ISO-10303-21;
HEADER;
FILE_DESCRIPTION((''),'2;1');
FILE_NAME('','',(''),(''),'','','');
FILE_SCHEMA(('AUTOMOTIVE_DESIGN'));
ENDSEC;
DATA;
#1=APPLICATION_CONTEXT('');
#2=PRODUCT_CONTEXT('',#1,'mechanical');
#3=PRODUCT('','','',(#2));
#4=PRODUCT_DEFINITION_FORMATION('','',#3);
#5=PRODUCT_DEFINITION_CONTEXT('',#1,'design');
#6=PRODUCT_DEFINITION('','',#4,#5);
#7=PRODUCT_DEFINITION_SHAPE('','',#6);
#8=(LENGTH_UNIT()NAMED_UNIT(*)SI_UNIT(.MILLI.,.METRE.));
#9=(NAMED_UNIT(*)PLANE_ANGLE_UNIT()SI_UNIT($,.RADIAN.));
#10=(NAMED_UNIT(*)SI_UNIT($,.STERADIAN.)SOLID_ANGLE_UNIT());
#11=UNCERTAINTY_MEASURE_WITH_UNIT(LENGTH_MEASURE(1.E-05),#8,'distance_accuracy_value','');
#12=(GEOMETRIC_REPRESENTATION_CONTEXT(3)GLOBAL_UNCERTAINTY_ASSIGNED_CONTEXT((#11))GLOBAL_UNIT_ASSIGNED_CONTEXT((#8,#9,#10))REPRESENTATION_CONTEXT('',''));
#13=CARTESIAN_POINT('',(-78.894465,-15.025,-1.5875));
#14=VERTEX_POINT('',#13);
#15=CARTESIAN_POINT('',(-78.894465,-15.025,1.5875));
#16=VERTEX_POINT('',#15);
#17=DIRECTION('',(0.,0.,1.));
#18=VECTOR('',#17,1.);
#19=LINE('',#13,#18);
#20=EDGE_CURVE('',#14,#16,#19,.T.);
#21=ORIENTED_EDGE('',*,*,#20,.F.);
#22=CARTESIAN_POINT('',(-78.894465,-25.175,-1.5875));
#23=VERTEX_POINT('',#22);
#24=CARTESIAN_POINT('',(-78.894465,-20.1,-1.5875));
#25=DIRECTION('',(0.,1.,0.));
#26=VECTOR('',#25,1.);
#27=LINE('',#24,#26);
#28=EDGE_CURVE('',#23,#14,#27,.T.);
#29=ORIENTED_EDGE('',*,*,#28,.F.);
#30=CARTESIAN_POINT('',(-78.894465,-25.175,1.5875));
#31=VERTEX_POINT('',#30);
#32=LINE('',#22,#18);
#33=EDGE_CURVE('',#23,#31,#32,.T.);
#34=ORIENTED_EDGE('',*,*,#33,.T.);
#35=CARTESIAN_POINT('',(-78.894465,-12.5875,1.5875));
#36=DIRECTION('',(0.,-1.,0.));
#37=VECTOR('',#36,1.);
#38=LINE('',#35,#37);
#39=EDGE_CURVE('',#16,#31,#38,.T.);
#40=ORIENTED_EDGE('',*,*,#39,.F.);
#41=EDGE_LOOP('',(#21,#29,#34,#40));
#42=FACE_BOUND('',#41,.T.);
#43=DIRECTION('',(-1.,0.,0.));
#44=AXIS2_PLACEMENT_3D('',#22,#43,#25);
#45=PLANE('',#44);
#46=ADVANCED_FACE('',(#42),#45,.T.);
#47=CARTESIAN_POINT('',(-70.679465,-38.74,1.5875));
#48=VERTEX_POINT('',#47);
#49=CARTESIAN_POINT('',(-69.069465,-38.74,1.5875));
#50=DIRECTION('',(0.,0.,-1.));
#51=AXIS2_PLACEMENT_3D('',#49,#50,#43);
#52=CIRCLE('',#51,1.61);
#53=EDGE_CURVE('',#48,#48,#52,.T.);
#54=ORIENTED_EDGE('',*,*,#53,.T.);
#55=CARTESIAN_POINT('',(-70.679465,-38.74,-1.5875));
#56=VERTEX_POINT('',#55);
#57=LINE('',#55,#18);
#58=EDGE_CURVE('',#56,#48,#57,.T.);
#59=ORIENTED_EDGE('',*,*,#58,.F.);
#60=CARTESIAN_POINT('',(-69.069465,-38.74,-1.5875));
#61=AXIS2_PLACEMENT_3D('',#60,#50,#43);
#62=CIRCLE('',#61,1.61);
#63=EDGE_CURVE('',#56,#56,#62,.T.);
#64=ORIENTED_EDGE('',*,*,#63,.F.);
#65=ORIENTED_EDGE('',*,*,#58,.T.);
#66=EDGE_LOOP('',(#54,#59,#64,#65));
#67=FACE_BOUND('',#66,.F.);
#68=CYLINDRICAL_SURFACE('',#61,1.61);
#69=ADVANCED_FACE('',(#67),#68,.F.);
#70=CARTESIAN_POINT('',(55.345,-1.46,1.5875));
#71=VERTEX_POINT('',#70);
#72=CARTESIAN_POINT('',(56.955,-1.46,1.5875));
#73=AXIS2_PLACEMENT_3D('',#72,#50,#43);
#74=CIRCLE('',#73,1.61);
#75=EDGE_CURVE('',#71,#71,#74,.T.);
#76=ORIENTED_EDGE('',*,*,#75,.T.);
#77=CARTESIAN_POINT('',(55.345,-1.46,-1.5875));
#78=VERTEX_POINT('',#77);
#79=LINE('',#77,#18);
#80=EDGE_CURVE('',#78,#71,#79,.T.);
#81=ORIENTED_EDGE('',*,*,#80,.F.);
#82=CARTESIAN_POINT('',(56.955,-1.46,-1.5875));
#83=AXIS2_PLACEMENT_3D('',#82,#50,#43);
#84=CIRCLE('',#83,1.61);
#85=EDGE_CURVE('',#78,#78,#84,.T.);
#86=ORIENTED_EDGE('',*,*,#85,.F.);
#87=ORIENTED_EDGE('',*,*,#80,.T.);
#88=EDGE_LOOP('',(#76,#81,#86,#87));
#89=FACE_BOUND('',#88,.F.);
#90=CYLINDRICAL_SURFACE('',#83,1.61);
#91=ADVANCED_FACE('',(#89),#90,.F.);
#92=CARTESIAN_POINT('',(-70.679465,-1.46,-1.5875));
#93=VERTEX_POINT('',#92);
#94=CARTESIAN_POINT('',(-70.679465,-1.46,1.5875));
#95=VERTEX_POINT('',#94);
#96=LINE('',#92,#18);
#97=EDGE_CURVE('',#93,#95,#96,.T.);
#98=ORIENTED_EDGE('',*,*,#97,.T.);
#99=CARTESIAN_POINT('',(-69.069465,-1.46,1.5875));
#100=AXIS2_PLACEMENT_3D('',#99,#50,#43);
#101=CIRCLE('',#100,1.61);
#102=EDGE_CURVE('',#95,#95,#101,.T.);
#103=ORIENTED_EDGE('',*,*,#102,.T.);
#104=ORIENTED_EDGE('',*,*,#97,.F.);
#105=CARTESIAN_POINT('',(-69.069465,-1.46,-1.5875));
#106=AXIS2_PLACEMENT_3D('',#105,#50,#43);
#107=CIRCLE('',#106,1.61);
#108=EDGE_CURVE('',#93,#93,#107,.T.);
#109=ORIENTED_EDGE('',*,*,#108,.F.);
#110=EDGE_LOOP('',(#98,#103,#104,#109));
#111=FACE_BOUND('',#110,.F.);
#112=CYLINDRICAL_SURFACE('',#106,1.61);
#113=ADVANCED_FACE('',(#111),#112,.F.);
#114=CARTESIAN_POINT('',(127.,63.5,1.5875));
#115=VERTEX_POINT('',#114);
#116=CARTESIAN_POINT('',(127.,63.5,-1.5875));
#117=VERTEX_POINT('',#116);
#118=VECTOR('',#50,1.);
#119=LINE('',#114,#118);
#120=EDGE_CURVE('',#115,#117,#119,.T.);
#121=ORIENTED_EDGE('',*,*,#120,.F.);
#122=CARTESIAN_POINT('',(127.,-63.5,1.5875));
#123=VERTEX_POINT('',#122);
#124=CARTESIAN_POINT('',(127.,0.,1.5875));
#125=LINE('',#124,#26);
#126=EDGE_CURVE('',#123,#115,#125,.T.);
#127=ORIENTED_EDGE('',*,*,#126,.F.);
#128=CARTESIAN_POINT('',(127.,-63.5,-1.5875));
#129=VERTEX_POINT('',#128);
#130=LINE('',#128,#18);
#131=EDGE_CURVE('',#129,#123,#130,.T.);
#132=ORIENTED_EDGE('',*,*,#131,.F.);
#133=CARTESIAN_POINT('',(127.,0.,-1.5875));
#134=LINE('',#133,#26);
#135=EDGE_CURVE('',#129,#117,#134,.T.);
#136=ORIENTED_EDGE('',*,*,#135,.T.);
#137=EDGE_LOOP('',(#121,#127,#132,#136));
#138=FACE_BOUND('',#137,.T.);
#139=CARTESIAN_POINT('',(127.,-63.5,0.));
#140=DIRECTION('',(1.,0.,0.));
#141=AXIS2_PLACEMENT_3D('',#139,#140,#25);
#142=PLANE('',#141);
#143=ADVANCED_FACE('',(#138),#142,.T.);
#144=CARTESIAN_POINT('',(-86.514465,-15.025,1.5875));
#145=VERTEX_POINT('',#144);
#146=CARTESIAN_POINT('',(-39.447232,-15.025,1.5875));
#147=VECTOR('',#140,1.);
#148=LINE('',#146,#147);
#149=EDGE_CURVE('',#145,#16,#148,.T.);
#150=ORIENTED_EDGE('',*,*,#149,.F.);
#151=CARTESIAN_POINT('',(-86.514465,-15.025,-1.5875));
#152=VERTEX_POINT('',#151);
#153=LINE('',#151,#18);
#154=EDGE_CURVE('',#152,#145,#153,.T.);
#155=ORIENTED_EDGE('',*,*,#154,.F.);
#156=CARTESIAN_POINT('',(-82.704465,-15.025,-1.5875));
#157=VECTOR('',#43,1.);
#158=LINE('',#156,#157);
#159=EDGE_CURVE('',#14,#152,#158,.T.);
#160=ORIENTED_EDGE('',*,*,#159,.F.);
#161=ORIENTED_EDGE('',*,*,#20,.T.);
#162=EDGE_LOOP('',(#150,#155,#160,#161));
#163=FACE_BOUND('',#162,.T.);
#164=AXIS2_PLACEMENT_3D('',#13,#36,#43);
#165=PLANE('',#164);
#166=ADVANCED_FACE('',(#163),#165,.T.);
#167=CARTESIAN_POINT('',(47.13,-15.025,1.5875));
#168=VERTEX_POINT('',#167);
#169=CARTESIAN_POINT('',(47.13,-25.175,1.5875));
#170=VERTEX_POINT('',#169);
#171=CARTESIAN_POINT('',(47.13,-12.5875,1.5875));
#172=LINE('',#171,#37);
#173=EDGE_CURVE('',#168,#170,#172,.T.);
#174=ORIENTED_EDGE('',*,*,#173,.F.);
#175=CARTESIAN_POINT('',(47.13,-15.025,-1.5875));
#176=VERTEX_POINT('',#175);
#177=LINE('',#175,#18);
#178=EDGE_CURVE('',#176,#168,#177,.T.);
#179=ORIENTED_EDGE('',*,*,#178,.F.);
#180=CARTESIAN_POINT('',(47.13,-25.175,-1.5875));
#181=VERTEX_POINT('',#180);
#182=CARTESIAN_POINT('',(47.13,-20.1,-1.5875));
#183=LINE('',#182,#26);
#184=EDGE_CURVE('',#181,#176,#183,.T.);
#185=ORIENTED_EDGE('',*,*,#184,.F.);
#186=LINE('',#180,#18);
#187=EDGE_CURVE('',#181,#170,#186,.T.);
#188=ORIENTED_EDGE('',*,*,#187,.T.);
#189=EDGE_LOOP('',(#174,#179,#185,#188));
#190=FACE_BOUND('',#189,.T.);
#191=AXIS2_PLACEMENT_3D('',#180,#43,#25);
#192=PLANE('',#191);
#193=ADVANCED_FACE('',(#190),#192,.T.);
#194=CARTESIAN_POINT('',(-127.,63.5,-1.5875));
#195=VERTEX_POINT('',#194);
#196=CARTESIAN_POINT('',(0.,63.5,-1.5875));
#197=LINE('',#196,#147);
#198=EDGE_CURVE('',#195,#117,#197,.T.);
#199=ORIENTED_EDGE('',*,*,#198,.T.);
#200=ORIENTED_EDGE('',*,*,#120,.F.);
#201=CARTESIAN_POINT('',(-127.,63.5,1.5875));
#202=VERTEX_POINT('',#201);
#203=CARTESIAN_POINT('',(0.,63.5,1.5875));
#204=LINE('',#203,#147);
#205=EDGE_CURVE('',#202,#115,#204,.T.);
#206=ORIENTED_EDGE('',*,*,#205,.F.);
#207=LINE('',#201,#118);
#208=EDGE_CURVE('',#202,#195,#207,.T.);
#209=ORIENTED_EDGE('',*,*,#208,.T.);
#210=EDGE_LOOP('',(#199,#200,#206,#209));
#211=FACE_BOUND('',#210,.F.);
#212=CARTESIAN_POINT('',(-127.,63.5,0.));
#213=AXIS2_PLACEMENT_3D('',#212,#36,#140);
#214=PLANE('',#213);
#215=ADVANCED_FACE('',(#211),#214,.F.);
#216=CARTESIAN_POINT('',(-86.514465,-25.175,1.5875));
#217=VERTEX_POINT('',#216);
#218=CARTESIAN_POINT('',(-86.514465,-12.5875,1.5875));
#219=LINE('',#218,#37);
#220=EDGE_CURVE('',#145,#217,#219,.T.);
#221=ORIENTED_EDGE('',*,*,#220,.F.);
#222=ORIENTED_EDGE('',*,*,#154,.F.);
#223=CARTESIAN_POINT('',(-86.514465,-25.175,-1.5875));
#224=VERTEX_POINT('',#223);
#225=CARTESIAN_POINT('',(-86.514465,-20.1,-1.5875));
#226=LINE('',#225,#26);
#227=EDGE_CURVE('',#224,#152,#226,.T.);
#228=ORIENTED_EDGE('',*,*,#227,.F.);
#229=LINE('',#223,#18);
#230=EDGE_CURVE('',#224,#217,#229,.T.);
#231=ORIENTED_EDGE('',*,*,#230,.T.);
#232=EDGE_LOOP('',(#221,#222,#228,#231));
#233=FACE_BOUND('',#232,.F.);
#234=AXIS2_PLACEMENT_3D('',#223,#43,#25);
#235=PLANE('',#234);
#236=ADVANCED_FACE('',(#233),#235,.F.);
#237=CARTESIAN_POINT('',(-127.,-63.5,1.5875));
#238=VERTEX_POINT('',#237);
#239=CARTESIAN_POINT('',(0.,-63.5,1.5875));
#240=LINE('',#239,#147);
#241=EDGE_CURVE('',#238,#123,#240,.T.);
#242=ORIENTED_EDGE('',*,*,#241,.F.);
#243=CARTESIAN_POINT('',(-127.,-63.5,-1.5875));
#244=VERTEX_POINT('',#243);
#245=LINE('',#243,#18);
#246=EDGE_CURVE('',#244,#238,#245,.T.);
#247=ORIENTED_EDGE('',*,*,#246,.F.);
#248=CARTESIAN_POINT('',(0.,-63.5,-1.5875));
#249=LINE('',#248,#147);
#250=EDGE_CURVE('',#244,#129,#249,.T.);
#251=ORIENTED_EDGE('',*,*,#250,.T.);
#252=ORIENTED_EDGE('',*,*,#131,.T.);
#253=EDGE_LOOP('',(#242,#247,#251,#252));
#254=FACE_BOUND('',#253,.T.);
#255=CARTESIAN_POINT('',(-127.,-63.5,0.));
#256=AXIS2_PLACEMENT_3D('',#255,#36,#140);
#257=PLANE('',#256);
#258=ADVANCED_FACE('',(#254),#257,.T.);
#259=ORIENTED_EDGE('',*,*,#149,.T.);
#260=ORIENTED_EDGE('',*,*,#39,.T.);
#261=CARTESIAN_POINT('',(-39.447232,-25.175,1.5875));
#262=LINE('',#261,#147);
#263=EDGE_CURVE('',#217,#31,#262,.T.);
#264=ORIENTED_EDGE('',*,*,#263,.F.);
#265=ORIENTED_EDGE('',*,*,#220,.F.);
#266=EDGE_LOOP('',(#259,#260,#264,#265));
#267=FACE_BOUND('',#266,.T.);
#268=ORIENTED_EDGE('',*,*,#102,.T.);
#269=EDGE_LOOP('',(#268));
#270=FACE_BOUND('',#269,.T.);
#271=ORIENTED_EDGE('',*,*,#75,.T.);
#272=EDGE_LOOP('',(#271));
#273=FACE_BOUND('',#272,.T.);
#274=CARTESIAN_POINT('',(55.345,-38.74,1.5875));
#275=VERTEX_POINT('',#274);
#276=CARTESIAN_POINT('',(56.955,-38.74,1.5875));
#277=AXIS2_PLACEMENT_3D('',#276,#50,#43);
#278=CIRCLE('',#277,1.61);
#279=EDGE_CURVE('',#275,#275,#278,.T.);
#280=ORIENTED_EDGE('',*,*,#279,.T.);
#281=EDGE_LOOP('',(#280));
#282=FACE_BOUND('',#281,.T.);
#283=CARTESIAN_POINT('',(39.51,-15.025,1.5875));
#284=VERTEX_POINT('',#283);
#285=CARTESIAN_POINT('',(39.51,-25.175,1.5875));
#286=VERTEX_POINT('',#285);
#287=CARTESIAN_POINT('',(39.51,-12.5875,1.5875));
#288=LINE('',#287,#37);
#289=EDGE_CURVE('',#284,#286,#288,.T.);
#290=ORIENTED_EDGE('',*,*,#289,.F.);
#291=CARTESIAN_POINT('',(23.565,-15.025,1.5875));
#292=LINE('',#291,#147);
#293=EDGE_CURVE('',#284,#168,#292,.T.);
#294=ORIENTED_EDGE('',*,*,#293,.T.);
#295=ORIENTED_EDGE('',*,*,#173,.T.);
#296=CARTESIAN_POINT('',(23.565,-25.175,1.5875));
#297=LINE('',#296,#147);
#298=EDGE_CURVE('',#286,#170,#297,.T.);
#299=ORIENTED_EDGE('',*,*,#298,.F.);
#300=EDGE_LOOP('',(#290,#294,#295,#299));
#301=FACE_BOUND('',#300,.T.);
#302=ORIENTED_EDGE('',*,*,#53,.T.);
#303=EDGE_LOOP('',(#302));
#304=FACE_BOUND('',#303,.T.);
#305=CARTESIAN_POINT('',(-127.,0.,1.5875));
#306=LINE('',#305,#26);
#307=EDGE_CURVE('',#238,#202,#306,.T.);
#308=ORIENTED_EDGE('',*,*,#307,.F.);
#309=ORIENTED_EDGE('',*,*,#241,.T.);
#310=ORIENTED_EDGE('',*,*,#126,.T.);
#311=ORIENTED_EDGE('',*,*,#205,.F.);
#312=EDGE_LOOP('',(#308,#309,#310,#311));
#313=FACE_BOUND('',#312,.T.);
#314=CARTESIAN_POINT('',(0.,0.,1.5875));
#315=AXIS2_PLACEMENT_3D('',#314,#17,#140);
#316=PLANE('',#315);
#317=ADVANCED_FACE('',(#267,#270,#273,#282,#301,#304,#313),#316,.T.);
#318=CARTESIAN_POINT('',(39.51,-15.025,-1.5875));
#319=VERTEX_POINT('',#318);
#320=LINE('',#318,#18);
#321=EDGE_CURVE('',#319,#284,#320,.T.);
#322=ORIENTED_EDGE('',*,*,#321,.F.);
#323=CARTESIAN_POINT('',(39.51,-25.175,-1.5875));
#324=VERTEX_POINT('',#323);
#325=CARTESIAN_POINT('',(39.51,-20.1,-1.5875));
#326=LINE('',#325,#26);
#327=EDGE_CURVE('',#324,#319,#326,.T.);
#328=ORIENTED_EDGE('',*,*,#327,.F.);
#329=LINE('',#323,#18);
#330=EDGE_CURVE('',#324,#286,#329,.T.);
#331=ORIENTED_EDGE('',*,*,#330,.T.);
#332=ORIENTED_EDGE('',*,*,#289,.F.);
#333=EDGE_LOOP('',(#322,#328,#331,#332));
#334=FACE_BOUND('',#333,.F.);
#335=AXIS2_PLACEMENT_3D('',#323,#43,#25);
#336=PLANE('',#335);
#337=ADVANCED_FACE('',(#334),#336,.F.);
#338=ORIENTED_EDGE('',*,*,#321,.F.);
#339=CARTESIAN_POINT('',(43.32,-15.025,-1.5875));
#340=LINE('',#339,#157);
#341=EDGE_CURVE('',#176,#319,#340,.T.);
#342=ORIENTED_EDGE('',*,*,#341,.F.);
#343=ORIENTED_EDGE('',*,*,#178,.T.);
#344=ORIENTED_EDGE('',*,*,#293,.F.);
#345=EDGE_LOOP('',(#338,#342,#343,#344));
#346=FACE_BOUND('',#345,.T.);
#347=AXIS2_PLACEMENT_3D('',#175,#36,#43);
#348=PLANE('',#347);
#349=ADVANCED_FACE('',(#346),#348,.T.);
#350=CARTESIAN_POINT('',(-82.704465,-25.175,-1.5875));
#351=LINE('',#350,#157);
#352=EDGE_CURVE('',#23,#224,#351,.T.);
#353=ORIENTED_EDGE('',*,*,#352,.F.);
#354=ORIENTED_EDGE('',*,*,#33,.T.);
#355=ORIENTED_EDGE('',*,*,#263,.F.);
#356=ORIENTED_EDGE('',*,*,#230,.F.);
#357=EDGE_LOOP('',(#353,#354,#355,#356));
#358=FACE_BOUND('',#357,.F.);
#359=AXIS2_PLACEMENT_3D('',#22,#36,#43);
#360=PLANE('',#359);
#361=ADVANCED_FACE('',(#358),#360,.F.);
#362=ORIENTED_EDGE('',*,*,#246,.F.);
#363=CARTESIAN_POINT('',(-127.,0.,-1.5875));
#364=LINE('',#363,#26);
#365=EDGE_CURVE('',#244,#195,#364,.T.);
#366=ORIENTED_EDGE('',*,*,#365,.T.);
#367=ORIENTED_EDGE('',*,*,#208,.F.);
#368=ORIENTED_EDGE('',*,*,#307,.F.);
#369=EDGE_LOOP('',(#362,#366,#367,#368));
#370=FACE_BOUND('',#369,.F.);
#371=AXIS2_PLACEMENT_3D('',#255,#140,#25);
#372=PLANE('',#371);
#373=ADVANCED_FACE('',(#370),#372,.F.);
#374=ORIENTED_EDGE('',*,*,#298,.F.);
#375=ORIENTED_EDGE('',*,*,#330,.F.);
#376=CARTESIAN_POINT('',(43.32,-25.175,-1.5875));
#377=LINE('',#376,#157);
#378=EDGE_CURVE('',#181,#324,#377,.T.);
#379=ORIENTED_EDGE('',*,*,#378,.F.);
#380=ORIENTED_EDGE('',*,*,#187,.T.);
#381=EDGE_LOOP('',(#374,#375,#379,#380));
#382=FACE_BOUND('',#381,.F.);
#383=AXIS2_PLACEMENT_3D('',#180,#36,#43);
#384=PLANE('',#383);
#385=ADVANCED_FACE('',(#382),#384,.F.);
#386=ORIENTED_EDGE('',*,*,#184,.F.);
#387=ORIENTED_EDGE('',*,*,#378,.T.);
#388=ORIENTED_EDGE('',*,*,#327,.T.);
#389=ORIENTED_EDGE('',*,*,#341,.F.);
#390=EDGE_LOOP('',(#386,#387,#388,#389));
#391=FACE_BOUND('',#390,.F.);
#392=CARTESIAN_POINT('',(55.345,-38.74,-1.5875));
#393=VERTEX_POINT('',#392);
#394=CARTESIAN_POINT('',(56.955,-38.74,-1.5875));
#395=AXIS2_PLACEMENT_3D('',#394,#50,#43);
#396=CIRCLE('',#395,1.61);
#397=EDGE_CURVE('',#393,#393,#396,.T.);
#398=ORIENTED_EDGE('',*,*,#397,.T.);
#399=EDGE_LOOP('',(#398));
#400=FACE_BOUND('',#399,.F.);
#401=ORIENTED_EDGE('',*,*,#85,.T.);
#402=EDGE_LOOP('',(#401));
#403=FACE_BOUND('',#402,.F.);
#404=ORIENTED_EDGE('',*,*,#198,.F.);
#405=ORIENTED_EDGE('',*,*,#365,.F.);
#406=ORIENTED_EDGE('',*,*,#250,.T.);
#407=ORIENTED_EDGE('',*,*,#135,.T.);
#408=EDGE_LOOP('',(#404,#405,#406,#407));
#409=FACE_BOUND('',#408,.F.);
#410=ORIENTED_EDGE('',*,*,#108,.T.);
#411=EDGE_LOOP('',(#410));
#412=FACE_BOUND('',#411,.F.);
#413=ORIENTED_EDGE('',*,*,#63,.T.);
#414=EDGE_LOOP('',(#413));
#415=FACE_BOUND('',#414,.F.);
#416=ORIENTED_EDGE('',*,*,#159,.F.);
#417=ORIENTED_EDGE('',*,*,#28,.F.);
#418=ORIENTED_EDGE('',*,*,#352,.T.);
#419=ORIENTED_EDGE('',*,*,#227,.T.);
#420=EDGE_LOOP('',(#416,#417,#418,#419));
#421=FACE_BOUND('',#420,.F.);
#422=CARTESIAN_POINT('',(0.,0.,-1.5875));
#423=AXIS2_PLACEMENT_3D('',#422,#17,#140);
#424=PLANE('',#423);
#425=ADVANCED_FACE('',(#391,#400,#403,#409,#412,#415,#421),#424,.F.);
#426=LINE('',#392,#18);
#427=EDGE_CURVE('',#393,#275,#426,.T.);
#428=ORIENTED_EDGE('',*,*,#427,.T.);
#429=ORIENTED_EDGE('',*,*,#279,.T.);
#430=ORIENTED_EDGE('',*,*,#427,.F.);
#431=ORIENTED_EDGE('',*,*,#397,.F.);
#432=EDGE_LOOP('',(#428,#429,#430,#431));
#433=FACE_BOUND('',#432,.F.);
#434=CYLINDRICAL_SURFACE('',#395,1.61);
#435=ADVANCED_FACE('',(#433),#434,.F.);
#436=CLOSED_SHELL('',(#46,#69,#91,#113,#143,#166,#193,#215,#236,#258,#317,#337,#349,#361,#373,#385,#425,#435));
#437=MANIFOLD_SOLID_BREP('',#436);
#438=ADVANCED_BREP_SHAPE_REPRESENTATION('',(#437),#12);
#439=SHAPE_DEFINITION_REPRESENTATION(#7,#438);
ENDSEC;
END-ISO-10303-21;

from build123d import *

# Parameters (mm, degrees)
SKETCH1_W           = 254
SKETCH1_H           = 127
BOSS_EXTRUDE1_DEPTH = 1.5875
SKETCH3_R           = 1.61
SKETCH3_W           = 7.62
SKETCH3_H           = 10.15
CUT_EXTRUDE2_DEPTH  = 5.08


with BuildPart() as part:
    # Sketch1 → Boss-Extrude1 (new body, symmetric)
    with BuildSketch(Plane.XY):
        Rectangle(SKETCH1_W, SKETCH1_H)
    extrude(amount=BOSS_EXTRUDE1_DEPTH, both=True)

    # Sketch3 → Cut-Extrude2 (cut)
    with BuildSketch(Plane(origin=(0, 0, -1.5875), x_dir=(-1, 0, 0), z_dir=(0, 0, -1))):
        with Locations((-56.955000009, -1.46)):
            Circle(SKETCH3_R)
        with Locations((-56.955000009, -38.74)):
            Circle(SKETCH3_R)
        with Locations((69.069464686, -38.74)):
            Circle(SKETCH3_R)
        with Locations((69.069464686, -1.46)):
            Circle(SKETCH3_R)
        with Locations((-43.320000018, -20.1)):
            Rectangle(SKETCH3_W, SKETCH3_H)
        with Locations((82.704464677, -20.1)):
            Rectangle(SKETCH3_W, SKETCH3_H)
    extrude(amount=-CUT_EXTRUDE2_DEPTH, mode=Mode.SUBTRACT)


solid = part.part
